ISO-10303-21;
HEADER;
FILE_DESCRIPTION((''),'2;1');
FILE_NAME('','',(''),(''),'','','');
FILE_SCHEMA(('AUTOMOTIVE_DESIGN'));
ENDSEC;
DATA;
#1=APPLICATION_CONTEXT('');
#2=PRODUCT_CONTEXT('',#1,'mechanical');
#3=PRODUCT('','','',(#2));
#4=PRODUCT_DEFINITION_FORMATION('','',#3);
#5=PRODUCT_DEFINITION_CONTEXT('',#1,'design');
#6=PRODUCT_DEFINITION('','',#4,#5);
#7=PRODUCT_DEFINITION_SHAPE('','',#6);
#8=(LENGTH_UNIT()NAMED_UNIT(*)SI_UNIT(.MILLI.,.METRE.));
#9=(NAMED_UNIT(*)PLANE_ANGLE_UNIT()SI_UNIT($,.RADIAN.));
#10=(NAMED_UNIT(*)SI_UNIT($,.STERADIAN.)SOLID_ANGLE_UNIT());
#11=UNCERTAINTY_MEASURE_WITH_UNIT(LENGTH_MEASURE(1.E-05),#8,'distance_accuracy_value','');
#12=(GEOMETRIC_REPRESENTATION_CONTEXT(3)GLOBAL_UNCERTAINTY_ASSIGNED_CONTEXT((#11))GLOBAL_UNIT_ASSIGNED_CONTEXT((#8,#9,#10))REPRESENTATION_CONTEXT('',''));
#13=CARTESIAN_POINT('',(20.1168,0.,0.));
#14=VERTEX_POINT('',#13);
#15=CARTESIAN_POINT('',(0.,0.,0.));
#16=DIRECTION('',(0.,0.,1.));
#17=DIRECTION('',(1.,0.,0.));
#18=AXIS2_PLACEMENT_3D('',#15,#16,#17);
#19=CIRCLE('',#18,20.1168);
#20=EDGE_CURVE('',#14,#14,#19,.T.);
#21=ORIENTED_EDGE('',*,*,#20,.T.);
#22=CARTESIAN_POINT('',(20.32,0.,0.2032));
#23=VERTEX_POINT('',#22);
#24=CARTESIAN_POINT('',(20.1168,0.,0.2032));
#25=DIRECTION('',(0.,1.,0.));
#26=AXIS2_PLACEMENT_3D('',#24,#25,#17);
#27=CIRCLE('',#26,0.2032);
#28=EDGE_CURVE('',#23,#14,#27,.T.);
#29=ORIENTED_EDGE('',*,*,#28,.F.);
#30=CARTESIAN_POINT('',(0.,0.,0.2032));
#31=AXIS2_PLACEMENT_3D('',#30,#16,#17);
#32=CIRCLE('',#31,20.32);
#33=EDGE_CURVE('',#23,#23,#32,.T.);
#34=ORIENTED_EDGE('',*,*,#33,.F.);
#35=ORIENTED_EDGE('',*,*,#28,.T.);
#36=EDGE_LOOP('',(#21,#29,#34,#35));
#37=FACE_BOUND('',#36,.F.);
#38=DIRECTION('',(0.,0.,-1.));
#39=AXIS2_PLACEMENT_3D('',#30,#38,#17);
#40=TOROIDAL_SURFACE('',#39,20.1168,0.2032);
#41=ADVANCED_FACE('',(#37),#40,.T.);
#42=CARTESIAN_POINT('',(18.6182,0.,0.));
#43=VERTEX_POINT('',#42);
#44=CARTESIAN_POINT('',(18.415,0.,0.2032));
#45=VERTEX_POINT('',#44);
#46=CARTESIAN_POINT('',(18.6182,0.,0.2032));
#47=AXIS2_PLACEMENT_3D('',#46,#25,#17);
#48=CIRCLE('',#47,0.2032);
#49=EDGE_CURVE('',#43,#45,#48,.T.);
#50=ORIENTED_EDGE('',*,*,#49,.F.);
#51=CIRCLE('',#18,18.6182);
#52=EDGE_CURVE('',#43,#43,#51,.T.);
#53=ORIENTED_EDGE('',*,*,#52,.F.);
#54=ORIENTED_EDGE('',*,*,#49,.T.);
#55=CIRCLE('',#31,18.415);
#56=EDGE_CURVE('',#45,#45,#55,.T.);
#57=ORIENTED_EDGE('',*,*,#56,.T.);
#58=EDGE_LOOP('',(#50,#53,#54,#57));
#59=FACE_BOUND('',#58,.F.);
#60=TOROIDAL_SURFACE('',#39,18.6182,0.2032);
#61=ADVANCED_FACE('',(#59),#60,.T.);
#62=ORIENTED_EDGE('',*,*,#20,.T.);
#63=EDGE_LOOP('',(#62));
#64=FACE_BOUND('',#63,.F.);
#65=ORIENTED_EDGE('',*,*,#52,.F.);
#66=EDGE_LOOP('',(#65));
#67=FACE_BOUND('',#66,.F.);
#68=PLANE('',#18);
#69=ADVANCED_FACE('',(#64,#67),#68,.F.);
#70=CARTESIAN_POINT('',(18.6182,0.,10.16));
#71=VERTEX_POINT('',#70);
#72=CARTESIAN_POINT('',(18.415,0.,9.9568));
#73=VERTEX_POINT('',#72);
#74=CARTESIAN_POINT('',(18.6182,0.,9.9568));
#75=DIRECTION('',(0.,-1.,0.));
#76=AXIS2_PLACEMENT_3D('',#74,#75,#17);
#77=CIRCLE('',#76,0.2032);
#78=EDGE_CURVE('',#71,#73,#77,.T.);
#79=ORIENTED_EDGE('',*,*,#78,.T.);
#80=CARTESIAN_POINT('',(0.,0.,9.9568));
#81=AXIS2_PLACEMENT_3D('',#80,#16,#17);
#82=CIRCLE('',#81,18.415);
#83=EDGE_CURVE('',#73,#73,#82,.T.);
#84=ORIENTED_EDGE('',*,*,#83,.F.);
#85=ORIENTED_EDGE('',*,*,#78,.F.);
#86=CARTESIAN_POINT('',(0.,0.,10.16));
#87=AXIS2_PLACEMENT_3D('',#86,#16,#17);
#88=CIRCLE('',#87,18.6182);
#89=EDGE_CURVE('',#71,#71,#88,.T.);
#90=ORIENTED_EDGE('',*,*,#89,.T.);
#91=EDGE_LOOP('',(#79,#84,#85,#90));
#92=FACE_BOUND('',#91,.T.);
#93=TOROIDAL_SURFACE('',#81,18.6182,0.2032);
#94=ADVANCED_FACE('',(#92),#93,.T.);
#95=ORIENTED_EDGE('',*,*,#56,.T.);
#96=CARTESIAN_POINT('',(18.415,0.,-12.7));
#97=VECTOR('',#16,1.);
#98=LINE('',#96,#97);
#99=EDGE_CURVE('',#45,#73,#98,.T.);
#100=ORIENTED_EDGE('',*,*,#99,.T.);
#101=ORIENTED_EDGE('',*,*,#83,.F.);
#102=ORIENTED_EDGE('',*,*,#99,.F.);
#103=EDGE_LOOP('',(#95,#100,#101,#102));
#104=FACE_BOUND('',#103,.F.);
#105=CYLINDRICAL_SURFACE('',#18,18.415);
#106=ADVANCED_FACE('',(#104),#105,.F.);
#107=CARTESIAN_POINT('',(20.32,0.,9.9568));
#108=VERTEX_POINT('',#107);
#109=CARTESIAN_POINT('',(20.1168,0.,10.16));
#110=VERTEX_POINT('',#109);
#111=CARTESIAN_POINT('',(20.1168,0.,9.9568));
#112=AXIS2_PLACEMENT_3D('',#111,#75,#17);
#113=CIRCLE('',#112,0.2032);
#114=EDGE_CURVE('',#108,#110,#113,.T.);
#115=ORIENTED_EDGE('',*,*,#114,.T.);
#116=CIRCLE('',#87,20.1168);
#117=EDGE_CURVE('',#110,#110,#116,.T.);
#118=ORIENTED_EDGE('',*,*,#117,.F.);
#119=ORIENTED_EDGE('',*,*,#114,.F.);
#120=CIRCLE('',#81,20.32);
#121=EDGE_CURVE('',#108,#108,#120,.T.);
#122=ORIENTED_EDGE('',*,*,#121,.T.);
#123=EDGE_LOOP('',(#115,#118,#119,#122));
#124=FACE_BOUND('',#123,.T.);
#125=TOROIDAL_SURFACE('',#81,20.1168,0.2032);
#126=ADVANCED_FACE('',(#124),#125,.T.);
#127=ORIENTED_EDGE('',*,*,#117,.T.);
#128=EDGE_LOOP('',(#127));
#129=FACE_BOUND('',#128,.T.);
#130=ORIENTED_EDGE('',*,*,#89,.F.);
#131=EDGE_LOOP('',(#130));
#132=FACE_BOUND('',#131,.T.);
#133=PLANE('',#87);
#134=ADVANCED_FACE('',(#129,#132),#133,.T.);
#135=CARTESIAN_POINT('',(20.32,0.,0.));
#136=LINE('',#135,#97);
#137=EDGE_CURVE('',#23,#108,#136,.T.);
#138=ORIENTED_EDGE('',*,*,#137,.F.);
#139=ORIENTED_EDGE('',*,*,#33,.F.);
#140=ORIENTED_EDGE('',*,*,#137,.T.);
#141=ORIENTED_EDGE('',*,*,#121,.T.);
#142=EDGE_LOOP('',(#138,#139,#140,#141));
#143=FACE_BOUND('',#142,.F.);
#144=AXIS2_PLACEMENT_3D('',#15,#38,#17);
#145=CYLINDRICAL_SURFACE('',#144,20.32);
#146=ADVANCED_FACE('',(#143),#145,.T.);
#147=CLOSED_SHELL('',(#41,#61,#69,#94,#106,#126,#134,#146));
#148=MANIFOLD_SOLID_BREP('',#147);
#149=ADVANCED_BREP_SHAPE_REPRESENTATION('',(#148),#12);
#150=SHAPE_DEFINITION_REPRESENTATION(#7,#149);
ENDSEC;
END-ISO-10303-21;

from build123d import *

# Parameters (mm, degrees)
F0_R     = 20.32
F1_DEPTH = 10.16
F2_R     = 18.415
F3_DEPTH = 12.7
F4_R     = 0.2032


with BuildPart() as f1:
    # F0 (on Top) → F1 (new body)
    with BuildSketch(Plane.XY):
        Circle(F0_R)
    extrude(amount=F1_DEPTH)

    # F2 (on Top) → F3 (cut, symmetric)
    with BuildSketch(Plane.XY):
        Circle(F2_R)
    extrude(amount=F3_DEPTH, both=True, mode=Mode.SUBTRACT)

    # F4
    f4_edges = [f1.edges().sort_by_distance(p)[0] for p in [
        (-20.32, 0, 10.16),
        (-18.415, 0, 10.16),
        (-20.32, 0, 0),
        (-18.415, 0, 0),
    ]]
    fillet(f4_edges, radius=F4_R)


solid = f1.part
